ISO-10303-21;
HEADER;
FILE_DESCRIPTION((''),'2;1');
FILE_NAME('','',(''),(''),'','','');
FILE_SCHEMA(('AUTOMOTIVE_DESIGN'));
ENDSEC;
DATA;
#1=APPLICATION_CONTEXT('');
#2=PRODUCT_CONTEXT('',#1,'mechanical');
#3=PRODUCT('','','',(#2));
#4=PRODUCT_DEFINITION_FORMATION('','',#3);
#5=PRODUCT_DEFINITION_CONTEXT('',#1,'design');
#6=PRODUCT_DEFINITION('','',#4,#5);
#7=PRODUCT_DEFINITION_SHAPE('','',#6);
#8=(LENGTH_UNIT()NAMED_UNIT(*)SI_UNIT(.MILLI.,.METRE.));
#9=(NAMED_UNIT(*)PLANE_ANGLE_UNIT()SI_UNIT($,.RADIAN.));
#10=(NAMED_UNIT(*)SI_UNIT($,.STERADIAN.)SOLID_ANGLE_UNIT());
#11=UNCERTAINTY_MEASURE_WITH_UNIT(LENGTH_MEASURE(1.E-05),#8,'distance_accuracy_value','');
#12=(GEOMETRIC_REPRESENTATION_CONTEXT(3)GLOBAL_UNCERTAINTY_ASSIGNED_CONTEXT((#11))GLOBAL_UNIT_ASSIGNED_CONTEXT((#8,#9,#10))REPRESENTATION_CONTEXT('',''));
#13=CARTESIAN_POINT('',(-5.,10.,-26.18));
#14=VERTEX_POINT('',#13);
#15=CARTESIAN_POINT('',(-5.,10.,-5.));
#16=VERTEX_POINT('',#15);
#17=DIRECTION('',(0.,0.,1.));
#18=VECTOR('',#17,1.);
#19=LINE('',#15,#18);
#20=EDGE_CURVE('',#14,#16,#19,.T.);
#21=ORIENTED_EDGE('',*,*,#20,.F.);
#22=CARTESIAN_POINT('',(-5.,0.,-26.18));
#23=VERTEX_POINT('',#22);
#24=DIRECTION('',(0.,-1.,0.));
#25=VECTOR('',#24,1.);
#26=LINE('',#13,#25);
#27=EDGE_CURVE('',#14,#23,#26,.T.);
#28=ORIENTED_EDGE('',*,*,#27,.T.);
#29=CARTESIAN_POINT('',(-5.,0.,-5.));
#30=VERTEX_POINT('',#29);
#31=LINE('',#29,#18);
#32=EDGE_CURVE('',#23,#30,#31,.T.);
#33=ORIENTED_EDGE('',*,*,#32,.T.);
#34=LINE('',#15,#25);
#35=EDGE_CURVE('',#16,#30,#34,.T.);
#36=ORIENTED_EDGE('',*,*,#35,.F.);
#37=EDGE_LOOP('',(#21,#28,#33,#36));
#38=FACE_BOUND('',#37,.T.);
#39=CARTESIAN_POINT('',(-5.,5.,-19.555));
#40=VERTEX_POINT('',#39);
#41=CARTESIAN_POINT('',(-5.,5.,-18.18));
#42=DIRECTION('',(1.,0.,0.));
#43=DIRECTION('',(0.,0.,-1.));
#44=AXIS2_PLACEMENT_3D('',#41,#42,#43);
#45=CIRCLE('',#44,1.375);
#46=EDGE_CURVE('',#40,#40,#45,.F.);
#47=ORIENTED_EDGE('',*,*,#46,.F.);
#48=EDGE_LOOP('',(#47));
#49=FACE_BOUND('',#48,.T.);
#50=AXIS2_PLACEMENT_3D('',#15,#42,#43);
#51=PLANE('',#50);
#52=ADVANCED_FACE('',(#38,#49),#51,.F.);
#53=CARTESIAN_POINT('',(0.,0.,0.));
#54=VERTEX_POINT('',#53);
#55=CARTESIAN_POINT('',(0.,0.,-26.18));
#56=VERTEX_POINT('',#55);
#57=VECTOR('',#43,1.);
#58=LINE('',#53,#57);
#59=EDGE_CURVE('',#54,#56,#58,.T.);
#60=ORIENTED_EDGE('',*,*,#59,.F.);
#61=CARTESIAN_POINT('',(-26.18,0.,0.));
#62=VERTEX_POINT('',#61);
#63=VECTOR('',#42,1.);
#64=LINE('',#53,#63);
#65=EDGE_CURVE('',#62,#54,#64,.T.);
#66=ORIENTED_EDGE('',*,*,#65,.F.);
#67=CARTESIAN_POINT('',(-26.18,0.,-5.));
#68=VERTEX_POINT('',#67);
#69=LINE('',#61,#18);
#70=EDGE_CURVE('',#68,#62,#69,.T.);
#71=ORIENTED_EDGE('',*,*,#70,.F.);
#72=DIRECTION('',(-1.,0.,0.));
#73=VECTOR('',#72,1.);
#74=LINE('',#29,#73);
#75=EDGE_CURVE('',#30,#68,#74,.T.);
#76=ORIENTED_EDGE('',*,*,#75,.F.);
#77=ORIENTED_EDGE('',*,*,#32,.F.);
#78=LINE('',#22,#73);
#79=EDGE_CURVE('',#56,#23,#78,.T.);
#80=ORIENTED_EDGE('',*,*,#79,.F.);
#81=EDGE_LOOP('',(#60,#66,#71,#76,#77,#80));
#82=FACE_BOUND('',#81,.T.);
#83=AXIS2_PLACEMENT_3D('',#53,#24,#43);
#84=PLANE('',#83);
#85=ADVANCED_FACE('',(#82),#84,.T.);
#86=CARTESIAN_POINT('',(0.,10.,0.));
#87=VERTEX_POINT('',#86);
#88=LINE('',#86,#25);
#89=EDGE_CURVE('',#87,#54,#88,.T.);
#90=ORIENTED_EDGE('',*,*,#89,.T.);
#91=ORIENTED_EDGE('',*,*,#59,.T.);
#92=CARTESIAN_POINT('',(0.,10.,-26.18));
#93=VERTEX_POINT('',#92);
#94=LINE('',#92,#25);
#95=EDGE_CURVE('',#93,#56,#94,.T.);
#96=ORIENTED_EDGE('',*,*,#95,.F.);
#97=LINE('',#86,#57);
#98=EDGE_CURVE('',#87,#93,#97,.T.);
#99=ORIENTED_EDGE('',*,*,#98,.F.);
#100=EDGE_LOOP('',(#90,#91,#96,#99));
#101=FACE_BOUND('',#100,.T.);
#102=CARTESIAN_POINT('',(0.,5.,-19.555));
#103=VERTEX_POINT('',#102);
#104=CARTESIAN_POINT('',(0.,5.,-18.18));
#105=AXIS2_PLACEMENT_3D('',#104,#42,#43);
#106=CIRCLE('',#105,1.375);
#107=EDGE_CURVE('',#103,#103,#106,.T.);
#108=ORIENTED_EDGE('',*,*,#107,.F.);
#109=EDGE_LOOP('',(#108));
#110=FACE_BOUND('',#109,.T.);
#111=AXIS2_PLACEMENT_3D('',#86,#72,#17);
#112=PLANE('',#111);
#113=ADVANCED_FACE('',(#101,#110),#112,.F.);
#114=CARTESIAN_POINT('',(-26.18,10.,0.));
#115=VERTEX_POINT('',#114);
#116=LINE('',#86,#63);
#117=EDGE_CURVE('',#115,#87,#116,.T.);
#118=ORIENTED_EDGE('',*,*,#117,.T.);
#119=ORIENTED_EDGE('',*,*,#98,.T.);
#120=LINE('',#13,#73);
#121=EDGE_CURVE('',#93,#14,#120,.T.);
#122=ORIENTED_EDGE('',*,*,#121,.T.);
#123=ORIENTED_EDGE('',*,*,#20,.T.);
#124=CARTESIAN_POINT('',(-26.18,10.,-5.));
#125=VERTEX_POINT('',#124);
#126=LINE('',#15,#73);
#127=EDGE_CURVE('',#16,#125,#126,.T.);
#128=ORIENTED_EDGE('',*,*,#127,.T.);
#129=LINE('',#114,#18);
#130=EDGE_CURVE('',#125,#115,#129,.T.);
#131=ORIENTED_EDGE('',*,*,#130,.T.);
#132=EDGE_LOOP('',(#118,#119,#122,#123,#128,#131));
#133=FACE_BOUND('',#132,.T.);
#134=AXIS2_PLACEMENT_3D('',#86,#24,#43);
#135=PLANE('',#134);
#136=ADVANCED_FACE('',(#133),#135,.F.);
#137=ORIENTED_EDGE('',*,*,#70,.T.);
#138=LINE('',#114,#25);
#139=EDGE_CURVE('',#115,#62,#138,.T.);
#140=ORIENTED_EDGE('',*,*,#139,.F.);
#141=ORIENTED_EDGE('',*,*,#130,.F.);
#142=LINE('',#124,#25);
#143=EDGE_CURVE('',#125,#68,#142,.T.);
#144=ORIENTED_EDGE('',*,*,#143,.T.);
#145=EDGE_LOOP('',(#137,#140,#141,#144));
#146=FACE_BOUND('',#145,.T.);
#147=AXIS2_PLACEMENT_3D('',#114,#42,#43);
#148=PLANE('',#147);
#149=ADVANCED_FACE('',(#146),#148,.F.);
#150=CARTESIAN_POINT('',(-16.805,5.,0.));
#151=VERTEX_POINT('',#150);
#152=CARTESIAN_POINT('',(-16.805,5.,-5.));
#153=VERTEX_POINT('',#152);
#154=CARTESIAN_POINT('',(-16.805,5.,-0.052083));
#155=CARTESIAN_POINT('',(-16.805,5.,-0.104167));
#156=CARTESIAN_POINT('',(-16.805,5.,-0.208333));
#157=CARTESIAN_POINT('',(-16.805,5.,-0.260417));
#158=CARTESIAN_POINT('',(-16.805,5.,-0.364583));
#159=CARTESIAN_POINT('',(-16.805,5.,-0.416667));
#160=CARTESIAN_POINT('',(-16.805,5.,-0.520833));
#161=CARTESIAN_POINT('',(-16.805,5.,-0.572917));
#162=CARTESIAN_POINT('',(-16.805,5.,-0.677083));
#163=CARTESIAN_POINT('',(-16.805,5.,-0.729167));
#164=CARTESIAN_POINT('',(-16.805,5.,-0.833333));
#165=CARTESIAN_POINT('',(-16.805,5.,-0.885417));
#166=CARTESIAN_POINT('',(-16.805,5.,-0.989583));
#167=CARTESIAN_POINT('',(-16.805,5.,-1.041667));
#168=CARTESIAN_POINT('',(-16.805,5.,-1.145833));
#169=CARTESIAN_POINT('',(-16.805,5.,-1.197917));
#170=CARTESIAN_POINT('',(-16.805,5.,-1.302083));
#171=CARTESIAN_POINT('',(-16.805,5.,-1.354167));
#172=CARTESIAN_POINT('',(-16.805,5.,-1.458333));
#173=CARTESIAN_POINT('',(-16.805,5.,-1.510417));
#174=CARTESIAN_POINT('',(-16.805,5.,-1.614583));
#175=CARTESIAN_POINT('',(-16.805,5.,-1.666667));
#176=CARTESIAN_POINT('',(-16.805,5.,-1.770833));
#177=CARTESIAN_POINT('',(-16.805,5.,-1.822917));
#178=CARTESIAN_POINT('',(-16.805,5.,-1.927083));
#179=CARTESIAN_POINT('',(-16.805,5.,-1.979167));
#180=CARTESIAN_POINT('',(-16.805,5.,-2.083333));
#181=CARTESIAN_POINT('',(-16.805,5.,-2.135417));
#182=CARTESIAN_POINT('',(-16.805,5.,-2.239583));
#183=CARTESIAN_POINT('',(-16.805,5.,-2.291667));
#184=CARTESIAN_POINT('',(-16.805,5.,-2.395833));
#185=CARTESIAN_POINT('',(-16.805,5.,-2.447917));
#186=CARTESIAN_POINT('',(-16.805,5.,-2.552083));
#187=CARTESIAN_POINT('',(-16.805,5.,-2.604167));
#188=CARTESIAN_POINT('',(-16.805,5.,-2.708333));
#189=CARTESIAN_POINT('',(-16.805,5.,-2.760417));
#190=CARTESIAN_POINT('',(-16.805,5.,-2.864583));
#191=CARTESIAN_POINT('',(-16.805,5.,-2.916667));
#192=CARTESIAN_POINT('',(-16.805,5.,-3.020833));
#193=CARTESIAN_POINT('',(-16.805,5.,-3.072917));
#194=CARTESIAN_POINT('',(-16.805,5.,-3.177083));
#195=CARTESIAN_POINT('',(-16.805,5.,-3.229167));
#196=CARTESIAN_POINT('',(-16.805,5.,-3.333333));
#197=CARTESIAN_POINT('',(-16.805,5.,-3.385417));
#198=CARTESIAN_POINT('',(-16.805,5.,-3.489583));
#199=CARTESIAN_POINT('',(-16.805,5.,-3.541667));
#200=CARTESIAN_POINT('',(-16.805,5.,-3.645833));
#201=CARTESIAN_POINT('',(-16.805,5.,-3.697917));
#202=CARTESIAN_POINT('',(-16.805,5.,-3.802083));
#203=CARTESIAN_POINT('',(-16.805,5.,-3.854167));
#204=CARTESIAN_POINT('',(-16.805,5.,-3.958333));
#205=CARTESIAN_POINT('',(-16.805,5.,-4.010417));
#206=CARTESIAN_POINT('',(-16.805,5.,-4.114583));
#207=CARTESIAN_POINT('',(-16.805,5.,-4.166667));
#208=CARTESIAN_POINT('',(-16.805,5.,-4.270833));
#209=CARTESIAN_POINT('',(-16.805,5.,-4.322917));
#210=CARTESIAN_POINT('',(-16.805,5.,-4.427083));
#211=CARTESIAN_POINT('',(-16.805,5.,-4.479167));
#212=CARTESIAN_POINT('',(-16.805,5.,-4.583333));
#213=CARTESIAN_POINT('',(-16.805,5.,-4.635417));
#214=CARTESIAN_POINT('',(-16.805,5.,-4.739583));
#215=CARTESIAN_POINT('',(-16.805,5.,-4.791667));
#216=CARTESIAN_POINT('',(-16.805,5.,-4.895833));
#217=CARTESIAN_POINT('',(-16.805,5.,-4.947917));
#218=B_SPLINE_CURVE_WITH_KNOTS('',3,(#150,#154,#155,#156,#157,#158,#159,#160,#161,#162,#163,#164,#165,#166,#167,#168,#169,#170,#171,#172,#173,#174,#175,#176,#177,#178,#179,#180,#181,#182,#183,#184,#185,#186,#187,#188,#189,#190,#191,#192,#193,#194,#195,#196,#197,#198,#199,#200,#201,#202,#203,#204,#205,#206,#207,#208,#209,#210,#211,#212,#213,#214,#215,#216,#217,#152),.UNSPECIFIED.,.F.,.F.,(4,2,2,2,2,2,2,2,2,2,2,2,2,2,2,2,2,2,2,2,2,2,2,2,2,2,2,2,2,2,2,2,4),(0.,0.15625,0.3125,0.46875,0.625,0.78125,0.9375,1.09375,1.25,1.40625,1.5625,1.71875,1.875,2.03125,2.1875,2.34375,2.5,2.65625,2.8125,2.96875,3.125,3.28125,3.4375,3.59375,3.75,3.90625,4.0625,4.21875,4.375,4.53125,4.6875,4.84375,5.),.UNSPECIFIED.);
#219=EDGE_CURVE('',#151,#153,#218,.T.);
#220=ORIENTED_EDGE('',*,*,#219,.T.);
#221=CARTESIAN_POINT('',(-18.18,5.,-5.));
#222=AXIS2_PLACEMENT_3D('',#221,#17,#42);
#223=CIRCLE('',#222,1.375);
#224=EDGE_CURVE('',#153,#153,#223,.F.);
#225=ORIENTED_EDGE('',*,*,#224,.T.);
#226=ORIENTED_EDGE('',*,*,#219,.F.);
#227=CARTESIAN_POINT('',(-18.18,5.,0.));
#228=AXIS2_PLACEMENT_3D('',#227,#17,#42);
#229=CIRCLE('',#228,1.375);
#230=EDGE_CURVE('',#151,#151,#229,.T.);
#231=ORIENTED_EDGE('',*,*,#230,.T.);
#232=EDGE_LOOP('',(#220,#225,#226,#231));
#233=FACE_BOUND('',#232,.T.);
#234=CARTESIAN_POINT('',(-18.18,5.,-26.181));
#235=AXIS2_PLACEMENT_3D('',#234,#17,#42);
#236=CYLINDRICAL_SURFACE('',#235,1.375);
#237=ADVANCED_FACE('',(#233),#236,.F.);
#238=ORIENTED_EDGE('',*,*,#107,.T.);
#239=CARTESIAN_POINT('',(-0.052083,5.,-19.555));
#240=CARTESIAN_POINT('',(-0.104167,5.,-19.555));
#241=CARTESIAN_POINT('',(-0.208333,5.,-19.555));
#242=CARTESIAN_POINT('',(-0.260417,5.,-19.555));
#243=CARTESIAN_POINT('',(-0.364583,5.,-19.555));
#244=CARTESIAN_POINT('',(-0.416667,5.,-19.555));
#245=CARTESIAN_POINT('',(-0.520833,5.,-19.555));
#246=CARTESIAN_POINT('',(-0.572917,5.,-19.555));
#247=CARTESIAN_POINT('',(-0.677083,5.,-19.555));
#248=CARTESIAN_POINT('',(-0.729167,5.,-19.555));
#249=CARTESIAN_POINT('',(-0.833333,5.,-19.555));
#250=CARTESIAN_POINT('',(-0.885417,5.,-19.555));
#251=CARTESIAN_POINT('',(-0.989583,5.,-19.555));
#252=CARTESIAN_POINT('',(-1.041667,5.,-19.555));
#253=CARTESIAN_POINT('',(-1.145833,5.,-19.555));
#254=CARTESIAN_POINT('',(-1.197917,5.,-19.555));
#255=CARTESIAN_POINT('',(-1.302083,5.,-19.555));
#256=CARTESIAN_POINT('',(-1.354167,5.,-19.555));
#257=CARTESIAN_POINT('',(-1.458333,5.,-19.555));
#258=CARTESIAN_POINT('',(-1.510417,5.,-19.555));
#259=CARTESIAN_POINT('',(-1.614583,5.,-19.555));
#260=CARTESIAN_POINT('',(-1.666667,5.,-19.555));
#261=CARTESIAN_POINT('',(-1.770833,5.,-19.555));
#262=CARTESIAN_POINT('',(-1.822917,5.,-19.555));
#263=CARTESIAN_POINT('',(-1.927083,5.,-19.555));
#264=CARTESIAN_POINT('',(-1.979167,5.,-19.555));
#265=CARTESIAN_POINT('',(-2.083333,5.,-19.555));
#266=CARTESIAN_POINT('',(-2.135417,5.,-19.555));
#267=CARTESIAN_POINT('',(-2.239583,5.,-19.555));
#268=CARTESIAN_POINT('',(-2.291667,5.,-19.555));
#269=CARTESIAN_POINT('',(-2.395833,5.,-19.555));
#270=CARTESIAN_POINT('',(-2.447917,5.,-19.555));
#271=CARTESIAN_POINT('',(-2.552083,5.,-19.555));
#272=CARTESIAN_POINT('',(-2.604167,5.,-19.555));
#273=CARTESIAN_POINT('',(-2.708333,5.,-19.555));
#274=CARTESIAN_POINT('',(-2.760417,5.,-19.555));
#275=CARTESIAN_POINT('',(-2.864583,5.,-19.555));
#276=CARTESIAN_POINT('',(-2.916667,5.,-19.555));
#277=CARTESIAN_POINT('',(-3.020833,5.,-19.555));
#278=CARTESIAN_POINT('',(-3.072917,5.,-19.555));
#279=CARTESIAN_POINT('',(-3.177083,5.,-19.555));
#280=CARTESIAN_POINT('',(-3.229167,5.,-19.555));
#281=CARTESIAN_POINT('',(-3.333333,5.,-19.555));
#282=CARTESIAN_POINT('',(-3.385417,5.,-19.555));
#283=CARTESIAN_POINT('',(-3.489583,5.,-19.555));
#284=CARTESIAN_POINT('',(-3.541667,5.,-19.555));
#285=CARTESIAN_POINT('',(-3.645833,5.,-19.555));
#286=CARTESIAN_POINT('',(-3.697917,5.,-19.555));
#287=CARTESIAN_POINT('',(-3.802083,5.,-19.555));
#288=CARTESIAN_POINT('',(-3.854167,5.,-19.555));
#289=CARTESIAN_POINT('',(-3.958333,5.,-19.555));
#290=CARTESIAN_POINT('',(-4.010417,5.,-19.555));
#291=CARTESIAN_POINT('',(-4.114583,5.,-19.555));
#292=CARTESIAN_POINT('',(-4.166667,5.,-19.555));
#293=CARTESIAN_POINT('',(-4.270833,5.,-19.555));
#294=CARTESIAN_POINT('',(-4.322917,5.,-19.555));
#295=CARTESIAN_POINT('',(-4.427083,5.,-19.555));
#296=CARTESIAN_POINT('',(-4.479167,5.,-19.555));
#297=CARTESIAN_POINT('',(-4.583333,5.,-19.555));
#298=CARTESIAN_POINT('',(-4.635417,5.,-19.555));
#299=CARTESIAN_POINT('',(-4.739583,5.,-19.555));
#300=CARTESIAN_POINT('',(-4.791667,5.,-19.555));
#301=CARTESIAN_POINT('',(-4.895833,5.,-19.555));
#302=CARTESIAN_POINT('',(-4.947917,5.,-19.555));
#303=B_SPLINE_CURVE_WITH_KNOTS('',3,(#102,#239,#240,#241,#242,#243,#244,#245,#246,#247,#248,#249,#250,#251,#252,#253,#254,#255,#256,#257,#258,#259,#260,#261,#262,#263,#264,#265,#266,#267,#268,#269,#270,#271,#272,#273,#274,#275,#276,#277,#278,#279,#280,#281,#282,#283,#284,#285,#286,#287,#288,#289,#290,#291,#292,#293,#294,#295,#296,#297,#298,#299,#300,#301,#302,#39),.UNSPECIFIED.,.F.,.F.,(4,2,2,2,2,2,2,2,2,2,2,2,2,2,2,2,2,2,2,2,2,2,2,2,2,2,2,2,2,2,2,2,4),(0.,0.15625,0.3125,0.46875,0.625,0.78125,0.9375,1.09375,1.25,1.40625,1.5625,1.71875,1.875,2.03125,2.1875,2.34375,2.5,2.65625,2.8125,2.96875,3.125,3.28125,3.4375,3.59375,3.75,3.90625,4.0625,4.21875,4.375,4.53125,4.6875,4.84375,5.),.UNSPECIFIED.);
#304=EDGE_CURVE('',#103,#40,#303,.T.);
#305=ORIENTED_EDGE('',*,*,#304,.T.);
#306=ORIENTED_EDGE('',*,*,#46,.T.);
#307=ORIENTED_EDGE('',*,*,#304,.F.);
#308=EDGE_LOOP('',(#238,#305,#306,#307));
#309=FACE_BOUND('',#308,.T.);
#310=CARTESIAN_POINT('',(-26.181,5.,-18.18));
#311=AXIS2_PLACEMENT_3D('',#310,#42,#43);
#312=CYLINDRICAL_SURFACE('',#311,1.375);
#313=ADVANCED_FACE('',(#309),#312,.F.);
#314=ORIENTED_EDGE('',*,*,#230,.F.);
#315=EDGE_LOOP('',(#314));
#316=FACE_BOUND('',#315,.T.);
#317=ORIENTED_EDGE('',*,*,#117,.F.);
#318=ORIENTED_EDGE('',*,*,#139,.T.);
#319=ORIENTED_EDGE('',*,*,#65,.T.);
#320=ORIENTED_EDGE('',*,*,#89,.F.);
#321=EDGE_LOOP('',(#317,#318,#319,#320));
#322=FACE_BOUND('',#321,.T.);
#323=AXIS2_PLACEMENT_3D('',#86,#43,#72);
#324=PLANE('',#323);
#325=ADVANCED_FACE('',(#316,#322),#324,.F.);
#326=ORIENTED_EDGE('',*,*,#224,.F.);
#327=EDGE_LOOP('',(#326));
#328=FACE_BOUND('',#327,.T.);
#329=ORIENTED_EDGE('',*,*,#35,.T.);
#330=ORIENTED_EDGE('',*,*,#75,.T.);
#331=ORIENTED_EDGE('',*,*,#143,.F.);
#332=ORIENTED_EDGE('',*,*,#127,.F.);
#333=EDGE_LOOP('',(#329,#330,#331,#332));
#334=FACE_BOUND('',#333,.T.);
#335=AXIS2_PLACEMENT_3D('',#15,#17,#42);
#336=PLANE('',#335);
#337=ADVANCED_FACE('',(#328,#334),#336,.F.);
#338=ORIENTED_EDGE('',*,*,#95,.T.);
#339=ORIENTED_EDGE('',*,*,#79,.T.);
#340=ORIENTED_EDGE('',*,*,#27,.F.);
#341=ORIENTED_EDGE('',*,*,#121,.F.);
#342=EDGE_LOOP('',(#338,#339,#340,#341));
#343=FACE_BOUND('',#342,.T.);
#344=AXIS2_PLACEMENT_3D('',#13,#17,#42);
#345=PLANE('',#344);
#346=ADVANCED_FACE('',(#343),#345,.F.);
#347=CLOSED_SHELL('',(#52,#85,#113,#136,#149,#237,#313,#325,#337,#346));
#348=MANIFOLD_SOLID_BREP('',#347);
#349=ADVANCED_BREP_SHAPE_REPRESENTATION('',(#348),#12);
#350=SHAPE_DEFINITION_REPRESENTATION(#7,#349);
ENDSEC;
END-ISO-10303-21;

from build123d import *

# Parameters (mm, degrees)
BOSS_EXTRUDE1_DEPTH = 10
CUT_EXTRUDE2_REACH  = 40.351
SKETCH3_R           = 1.375
CUT_EXTRUDE3_REACH  = 40.351
SKETCH4_R           = 1.375


with BuildPart() as part:
    # Sketch2 → Boss-Extrude1 (new body)
    with BuildSketch(Plane(origin=(0, 0, 0), x_dir=(1, 0, 0), z_dir=(0, 1, 0))):
        Polygon((0, 0), (-26.18, 0), (-26.18, 5), (-5, 5), (-5, 26.18), (0, 26.18), align=None)
    extrude(amount=BOSS_EXTRUDE1_DEPTH)

    # Sketch3 → Cut-Extrude2 (cut, up to next)
    with BuildSketch(Plane.XY, mode=Mode.PRIVATE) as cut_extrude2_sk1:
        with Locations((-18.18, 5)):
            Circle(SKETCH3_R)
    cut_extrude2_tool1 = extrude(cut_extrude2_sk1.sketch, amount=-CUT_EXTRUDE2_REACH, mode=Mode.PRIVATE) & part.part
    add(cut_extrude2_tool1.solids().sort_by_distance((-18.18, 5, 0))[0], mode=Mode.SUBTRACT)

    # Sketch4 → Cut-Extrude3 (cut, up to next)
    with BuildSketch(Plane(origin=(0, 0, 0), x_dir=(0, 0, -1), z_dir=(1, 0, 0)), mode=Mode.PRIVATE) as cut_extrude3_sk1:
        with Locations((18.18, 5)):
            Circle(SKETCH4_R)
    cut_extrude3_tool1 = extrude(cut_extrude3_sk1.sketch, amount=-CUT_EXTRUDE3_REACH, mode=Mode.PRIVATE) & part.part
    add(cut_extrude3_tool1.solids().sort_by_distance((0, 5, -18.18))[0], mode=Mode.SUBTRACT)


solid = part.part
